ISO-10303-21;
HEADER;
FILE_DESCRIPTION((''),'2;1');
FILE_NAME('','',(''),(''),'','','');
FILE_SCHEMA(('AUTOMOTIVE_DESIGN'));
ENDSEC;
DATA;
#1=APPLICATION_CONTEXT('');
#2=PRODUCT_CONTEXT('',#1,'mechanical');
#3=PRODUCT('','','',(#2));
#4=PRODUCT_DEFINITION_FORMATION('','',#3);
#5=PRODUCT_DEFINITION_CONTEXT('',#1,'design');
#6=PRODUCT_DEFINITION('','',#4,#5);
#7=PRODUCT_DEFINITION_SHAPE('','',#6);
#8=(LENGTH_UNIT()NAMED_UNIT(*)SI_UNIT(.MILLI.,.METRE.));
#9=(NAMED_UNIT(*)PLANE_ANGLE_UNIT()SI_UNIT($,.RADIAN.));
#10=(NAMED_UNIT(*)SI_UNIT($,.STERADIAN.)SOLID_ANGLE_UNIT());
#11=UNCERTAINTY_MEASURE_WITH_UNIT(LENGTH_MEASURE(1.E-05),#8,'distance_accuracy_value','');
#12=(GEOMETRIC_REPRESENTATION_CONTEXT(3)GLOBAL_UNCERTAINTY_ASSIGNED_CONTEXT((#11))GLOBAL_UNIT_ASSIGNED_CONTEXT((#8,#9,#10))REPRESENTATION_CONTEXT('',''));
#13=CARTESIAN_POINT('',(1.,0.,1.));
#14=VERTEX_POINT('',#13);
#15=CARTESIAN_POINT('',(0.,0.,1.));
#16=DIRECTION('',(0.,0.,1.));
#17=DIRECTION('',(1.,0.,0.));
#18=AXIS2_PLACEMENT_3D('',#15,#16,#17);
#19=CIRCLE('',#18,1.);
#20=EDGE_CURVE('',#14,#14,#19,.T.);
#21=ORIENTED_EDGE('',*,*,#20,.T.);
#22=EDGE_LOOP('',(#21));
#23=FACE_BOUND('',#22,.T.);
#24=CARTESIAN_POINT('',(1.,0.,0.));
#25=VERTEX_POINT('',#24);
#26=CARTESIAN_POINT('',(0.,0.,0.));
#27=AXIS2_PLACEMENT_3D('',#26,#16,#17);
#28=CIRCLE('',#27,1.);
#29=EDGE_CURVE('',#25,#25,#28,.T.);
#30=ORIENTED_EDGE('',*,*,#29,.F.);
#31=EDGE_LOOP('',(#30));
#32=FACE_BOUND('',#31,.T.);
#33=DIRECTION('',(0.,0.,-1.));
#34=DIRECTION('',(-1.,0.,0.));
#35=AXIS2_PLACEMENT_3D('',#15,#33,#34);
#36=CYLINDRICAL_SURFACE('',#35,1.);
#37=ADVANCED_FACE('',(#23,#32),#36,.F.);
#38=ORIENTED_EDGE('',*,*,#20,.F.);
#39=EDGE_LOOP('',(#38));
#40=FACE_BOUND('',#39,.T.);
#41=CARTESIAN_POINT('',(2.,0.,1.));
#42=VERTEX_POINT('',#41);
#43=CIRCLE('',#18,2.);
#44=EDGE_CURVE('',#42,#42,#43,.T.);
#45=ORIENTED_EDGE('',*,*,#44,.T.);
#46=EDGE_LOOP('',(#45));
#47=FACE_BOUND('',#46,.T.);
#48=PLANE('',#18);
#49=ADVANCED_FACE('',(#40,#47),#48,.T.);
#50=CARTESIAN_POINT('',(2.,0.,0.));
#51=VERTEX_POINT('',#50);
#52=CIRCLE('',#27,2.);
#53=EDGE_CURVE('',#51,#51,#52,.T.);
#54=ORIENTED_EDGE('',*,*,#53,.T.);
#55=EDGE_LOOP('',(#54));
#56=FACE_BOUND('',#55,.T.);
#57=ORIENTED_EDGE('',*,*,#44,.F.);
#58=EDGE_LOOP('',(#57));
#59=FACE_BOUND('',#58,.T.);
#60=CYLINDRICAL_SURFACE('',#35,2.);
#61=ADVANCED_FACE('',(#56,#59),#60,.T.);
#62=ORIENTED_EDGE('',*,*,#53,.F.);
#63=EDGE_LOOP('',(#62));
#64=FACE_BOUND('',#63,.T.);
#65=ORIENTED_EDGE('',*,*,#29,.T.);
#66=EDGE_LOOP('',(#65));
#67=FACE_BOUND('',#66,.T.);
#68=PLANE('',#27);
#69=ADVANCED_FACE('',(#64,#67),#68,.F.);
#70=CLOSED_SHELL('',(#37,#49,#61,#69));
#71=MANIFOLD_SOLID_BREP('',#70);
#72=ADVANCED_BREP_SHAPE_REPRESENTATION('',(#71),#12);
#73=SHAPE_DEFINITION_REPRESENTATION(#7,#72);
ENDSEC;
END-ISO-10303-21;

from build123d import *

# Parameters (mm, degrees)
SKETCH_1_R      = 2
SKETCH_1_R_2    = 1
EXTRUDE_1_DEPTH = 1


with BuildPart() as part:
    # 草图1 → 凸台-拉伸1 (new body)
    with BuildSketch(Plane.XY):
        Circle(SKETCH_1_R)
        Circle(SKETCH_1_R_2, mode=Mode.SUBTRACT)
    extrude(amount=EXTRUDE_1_DEPTH)


solid = part.part
